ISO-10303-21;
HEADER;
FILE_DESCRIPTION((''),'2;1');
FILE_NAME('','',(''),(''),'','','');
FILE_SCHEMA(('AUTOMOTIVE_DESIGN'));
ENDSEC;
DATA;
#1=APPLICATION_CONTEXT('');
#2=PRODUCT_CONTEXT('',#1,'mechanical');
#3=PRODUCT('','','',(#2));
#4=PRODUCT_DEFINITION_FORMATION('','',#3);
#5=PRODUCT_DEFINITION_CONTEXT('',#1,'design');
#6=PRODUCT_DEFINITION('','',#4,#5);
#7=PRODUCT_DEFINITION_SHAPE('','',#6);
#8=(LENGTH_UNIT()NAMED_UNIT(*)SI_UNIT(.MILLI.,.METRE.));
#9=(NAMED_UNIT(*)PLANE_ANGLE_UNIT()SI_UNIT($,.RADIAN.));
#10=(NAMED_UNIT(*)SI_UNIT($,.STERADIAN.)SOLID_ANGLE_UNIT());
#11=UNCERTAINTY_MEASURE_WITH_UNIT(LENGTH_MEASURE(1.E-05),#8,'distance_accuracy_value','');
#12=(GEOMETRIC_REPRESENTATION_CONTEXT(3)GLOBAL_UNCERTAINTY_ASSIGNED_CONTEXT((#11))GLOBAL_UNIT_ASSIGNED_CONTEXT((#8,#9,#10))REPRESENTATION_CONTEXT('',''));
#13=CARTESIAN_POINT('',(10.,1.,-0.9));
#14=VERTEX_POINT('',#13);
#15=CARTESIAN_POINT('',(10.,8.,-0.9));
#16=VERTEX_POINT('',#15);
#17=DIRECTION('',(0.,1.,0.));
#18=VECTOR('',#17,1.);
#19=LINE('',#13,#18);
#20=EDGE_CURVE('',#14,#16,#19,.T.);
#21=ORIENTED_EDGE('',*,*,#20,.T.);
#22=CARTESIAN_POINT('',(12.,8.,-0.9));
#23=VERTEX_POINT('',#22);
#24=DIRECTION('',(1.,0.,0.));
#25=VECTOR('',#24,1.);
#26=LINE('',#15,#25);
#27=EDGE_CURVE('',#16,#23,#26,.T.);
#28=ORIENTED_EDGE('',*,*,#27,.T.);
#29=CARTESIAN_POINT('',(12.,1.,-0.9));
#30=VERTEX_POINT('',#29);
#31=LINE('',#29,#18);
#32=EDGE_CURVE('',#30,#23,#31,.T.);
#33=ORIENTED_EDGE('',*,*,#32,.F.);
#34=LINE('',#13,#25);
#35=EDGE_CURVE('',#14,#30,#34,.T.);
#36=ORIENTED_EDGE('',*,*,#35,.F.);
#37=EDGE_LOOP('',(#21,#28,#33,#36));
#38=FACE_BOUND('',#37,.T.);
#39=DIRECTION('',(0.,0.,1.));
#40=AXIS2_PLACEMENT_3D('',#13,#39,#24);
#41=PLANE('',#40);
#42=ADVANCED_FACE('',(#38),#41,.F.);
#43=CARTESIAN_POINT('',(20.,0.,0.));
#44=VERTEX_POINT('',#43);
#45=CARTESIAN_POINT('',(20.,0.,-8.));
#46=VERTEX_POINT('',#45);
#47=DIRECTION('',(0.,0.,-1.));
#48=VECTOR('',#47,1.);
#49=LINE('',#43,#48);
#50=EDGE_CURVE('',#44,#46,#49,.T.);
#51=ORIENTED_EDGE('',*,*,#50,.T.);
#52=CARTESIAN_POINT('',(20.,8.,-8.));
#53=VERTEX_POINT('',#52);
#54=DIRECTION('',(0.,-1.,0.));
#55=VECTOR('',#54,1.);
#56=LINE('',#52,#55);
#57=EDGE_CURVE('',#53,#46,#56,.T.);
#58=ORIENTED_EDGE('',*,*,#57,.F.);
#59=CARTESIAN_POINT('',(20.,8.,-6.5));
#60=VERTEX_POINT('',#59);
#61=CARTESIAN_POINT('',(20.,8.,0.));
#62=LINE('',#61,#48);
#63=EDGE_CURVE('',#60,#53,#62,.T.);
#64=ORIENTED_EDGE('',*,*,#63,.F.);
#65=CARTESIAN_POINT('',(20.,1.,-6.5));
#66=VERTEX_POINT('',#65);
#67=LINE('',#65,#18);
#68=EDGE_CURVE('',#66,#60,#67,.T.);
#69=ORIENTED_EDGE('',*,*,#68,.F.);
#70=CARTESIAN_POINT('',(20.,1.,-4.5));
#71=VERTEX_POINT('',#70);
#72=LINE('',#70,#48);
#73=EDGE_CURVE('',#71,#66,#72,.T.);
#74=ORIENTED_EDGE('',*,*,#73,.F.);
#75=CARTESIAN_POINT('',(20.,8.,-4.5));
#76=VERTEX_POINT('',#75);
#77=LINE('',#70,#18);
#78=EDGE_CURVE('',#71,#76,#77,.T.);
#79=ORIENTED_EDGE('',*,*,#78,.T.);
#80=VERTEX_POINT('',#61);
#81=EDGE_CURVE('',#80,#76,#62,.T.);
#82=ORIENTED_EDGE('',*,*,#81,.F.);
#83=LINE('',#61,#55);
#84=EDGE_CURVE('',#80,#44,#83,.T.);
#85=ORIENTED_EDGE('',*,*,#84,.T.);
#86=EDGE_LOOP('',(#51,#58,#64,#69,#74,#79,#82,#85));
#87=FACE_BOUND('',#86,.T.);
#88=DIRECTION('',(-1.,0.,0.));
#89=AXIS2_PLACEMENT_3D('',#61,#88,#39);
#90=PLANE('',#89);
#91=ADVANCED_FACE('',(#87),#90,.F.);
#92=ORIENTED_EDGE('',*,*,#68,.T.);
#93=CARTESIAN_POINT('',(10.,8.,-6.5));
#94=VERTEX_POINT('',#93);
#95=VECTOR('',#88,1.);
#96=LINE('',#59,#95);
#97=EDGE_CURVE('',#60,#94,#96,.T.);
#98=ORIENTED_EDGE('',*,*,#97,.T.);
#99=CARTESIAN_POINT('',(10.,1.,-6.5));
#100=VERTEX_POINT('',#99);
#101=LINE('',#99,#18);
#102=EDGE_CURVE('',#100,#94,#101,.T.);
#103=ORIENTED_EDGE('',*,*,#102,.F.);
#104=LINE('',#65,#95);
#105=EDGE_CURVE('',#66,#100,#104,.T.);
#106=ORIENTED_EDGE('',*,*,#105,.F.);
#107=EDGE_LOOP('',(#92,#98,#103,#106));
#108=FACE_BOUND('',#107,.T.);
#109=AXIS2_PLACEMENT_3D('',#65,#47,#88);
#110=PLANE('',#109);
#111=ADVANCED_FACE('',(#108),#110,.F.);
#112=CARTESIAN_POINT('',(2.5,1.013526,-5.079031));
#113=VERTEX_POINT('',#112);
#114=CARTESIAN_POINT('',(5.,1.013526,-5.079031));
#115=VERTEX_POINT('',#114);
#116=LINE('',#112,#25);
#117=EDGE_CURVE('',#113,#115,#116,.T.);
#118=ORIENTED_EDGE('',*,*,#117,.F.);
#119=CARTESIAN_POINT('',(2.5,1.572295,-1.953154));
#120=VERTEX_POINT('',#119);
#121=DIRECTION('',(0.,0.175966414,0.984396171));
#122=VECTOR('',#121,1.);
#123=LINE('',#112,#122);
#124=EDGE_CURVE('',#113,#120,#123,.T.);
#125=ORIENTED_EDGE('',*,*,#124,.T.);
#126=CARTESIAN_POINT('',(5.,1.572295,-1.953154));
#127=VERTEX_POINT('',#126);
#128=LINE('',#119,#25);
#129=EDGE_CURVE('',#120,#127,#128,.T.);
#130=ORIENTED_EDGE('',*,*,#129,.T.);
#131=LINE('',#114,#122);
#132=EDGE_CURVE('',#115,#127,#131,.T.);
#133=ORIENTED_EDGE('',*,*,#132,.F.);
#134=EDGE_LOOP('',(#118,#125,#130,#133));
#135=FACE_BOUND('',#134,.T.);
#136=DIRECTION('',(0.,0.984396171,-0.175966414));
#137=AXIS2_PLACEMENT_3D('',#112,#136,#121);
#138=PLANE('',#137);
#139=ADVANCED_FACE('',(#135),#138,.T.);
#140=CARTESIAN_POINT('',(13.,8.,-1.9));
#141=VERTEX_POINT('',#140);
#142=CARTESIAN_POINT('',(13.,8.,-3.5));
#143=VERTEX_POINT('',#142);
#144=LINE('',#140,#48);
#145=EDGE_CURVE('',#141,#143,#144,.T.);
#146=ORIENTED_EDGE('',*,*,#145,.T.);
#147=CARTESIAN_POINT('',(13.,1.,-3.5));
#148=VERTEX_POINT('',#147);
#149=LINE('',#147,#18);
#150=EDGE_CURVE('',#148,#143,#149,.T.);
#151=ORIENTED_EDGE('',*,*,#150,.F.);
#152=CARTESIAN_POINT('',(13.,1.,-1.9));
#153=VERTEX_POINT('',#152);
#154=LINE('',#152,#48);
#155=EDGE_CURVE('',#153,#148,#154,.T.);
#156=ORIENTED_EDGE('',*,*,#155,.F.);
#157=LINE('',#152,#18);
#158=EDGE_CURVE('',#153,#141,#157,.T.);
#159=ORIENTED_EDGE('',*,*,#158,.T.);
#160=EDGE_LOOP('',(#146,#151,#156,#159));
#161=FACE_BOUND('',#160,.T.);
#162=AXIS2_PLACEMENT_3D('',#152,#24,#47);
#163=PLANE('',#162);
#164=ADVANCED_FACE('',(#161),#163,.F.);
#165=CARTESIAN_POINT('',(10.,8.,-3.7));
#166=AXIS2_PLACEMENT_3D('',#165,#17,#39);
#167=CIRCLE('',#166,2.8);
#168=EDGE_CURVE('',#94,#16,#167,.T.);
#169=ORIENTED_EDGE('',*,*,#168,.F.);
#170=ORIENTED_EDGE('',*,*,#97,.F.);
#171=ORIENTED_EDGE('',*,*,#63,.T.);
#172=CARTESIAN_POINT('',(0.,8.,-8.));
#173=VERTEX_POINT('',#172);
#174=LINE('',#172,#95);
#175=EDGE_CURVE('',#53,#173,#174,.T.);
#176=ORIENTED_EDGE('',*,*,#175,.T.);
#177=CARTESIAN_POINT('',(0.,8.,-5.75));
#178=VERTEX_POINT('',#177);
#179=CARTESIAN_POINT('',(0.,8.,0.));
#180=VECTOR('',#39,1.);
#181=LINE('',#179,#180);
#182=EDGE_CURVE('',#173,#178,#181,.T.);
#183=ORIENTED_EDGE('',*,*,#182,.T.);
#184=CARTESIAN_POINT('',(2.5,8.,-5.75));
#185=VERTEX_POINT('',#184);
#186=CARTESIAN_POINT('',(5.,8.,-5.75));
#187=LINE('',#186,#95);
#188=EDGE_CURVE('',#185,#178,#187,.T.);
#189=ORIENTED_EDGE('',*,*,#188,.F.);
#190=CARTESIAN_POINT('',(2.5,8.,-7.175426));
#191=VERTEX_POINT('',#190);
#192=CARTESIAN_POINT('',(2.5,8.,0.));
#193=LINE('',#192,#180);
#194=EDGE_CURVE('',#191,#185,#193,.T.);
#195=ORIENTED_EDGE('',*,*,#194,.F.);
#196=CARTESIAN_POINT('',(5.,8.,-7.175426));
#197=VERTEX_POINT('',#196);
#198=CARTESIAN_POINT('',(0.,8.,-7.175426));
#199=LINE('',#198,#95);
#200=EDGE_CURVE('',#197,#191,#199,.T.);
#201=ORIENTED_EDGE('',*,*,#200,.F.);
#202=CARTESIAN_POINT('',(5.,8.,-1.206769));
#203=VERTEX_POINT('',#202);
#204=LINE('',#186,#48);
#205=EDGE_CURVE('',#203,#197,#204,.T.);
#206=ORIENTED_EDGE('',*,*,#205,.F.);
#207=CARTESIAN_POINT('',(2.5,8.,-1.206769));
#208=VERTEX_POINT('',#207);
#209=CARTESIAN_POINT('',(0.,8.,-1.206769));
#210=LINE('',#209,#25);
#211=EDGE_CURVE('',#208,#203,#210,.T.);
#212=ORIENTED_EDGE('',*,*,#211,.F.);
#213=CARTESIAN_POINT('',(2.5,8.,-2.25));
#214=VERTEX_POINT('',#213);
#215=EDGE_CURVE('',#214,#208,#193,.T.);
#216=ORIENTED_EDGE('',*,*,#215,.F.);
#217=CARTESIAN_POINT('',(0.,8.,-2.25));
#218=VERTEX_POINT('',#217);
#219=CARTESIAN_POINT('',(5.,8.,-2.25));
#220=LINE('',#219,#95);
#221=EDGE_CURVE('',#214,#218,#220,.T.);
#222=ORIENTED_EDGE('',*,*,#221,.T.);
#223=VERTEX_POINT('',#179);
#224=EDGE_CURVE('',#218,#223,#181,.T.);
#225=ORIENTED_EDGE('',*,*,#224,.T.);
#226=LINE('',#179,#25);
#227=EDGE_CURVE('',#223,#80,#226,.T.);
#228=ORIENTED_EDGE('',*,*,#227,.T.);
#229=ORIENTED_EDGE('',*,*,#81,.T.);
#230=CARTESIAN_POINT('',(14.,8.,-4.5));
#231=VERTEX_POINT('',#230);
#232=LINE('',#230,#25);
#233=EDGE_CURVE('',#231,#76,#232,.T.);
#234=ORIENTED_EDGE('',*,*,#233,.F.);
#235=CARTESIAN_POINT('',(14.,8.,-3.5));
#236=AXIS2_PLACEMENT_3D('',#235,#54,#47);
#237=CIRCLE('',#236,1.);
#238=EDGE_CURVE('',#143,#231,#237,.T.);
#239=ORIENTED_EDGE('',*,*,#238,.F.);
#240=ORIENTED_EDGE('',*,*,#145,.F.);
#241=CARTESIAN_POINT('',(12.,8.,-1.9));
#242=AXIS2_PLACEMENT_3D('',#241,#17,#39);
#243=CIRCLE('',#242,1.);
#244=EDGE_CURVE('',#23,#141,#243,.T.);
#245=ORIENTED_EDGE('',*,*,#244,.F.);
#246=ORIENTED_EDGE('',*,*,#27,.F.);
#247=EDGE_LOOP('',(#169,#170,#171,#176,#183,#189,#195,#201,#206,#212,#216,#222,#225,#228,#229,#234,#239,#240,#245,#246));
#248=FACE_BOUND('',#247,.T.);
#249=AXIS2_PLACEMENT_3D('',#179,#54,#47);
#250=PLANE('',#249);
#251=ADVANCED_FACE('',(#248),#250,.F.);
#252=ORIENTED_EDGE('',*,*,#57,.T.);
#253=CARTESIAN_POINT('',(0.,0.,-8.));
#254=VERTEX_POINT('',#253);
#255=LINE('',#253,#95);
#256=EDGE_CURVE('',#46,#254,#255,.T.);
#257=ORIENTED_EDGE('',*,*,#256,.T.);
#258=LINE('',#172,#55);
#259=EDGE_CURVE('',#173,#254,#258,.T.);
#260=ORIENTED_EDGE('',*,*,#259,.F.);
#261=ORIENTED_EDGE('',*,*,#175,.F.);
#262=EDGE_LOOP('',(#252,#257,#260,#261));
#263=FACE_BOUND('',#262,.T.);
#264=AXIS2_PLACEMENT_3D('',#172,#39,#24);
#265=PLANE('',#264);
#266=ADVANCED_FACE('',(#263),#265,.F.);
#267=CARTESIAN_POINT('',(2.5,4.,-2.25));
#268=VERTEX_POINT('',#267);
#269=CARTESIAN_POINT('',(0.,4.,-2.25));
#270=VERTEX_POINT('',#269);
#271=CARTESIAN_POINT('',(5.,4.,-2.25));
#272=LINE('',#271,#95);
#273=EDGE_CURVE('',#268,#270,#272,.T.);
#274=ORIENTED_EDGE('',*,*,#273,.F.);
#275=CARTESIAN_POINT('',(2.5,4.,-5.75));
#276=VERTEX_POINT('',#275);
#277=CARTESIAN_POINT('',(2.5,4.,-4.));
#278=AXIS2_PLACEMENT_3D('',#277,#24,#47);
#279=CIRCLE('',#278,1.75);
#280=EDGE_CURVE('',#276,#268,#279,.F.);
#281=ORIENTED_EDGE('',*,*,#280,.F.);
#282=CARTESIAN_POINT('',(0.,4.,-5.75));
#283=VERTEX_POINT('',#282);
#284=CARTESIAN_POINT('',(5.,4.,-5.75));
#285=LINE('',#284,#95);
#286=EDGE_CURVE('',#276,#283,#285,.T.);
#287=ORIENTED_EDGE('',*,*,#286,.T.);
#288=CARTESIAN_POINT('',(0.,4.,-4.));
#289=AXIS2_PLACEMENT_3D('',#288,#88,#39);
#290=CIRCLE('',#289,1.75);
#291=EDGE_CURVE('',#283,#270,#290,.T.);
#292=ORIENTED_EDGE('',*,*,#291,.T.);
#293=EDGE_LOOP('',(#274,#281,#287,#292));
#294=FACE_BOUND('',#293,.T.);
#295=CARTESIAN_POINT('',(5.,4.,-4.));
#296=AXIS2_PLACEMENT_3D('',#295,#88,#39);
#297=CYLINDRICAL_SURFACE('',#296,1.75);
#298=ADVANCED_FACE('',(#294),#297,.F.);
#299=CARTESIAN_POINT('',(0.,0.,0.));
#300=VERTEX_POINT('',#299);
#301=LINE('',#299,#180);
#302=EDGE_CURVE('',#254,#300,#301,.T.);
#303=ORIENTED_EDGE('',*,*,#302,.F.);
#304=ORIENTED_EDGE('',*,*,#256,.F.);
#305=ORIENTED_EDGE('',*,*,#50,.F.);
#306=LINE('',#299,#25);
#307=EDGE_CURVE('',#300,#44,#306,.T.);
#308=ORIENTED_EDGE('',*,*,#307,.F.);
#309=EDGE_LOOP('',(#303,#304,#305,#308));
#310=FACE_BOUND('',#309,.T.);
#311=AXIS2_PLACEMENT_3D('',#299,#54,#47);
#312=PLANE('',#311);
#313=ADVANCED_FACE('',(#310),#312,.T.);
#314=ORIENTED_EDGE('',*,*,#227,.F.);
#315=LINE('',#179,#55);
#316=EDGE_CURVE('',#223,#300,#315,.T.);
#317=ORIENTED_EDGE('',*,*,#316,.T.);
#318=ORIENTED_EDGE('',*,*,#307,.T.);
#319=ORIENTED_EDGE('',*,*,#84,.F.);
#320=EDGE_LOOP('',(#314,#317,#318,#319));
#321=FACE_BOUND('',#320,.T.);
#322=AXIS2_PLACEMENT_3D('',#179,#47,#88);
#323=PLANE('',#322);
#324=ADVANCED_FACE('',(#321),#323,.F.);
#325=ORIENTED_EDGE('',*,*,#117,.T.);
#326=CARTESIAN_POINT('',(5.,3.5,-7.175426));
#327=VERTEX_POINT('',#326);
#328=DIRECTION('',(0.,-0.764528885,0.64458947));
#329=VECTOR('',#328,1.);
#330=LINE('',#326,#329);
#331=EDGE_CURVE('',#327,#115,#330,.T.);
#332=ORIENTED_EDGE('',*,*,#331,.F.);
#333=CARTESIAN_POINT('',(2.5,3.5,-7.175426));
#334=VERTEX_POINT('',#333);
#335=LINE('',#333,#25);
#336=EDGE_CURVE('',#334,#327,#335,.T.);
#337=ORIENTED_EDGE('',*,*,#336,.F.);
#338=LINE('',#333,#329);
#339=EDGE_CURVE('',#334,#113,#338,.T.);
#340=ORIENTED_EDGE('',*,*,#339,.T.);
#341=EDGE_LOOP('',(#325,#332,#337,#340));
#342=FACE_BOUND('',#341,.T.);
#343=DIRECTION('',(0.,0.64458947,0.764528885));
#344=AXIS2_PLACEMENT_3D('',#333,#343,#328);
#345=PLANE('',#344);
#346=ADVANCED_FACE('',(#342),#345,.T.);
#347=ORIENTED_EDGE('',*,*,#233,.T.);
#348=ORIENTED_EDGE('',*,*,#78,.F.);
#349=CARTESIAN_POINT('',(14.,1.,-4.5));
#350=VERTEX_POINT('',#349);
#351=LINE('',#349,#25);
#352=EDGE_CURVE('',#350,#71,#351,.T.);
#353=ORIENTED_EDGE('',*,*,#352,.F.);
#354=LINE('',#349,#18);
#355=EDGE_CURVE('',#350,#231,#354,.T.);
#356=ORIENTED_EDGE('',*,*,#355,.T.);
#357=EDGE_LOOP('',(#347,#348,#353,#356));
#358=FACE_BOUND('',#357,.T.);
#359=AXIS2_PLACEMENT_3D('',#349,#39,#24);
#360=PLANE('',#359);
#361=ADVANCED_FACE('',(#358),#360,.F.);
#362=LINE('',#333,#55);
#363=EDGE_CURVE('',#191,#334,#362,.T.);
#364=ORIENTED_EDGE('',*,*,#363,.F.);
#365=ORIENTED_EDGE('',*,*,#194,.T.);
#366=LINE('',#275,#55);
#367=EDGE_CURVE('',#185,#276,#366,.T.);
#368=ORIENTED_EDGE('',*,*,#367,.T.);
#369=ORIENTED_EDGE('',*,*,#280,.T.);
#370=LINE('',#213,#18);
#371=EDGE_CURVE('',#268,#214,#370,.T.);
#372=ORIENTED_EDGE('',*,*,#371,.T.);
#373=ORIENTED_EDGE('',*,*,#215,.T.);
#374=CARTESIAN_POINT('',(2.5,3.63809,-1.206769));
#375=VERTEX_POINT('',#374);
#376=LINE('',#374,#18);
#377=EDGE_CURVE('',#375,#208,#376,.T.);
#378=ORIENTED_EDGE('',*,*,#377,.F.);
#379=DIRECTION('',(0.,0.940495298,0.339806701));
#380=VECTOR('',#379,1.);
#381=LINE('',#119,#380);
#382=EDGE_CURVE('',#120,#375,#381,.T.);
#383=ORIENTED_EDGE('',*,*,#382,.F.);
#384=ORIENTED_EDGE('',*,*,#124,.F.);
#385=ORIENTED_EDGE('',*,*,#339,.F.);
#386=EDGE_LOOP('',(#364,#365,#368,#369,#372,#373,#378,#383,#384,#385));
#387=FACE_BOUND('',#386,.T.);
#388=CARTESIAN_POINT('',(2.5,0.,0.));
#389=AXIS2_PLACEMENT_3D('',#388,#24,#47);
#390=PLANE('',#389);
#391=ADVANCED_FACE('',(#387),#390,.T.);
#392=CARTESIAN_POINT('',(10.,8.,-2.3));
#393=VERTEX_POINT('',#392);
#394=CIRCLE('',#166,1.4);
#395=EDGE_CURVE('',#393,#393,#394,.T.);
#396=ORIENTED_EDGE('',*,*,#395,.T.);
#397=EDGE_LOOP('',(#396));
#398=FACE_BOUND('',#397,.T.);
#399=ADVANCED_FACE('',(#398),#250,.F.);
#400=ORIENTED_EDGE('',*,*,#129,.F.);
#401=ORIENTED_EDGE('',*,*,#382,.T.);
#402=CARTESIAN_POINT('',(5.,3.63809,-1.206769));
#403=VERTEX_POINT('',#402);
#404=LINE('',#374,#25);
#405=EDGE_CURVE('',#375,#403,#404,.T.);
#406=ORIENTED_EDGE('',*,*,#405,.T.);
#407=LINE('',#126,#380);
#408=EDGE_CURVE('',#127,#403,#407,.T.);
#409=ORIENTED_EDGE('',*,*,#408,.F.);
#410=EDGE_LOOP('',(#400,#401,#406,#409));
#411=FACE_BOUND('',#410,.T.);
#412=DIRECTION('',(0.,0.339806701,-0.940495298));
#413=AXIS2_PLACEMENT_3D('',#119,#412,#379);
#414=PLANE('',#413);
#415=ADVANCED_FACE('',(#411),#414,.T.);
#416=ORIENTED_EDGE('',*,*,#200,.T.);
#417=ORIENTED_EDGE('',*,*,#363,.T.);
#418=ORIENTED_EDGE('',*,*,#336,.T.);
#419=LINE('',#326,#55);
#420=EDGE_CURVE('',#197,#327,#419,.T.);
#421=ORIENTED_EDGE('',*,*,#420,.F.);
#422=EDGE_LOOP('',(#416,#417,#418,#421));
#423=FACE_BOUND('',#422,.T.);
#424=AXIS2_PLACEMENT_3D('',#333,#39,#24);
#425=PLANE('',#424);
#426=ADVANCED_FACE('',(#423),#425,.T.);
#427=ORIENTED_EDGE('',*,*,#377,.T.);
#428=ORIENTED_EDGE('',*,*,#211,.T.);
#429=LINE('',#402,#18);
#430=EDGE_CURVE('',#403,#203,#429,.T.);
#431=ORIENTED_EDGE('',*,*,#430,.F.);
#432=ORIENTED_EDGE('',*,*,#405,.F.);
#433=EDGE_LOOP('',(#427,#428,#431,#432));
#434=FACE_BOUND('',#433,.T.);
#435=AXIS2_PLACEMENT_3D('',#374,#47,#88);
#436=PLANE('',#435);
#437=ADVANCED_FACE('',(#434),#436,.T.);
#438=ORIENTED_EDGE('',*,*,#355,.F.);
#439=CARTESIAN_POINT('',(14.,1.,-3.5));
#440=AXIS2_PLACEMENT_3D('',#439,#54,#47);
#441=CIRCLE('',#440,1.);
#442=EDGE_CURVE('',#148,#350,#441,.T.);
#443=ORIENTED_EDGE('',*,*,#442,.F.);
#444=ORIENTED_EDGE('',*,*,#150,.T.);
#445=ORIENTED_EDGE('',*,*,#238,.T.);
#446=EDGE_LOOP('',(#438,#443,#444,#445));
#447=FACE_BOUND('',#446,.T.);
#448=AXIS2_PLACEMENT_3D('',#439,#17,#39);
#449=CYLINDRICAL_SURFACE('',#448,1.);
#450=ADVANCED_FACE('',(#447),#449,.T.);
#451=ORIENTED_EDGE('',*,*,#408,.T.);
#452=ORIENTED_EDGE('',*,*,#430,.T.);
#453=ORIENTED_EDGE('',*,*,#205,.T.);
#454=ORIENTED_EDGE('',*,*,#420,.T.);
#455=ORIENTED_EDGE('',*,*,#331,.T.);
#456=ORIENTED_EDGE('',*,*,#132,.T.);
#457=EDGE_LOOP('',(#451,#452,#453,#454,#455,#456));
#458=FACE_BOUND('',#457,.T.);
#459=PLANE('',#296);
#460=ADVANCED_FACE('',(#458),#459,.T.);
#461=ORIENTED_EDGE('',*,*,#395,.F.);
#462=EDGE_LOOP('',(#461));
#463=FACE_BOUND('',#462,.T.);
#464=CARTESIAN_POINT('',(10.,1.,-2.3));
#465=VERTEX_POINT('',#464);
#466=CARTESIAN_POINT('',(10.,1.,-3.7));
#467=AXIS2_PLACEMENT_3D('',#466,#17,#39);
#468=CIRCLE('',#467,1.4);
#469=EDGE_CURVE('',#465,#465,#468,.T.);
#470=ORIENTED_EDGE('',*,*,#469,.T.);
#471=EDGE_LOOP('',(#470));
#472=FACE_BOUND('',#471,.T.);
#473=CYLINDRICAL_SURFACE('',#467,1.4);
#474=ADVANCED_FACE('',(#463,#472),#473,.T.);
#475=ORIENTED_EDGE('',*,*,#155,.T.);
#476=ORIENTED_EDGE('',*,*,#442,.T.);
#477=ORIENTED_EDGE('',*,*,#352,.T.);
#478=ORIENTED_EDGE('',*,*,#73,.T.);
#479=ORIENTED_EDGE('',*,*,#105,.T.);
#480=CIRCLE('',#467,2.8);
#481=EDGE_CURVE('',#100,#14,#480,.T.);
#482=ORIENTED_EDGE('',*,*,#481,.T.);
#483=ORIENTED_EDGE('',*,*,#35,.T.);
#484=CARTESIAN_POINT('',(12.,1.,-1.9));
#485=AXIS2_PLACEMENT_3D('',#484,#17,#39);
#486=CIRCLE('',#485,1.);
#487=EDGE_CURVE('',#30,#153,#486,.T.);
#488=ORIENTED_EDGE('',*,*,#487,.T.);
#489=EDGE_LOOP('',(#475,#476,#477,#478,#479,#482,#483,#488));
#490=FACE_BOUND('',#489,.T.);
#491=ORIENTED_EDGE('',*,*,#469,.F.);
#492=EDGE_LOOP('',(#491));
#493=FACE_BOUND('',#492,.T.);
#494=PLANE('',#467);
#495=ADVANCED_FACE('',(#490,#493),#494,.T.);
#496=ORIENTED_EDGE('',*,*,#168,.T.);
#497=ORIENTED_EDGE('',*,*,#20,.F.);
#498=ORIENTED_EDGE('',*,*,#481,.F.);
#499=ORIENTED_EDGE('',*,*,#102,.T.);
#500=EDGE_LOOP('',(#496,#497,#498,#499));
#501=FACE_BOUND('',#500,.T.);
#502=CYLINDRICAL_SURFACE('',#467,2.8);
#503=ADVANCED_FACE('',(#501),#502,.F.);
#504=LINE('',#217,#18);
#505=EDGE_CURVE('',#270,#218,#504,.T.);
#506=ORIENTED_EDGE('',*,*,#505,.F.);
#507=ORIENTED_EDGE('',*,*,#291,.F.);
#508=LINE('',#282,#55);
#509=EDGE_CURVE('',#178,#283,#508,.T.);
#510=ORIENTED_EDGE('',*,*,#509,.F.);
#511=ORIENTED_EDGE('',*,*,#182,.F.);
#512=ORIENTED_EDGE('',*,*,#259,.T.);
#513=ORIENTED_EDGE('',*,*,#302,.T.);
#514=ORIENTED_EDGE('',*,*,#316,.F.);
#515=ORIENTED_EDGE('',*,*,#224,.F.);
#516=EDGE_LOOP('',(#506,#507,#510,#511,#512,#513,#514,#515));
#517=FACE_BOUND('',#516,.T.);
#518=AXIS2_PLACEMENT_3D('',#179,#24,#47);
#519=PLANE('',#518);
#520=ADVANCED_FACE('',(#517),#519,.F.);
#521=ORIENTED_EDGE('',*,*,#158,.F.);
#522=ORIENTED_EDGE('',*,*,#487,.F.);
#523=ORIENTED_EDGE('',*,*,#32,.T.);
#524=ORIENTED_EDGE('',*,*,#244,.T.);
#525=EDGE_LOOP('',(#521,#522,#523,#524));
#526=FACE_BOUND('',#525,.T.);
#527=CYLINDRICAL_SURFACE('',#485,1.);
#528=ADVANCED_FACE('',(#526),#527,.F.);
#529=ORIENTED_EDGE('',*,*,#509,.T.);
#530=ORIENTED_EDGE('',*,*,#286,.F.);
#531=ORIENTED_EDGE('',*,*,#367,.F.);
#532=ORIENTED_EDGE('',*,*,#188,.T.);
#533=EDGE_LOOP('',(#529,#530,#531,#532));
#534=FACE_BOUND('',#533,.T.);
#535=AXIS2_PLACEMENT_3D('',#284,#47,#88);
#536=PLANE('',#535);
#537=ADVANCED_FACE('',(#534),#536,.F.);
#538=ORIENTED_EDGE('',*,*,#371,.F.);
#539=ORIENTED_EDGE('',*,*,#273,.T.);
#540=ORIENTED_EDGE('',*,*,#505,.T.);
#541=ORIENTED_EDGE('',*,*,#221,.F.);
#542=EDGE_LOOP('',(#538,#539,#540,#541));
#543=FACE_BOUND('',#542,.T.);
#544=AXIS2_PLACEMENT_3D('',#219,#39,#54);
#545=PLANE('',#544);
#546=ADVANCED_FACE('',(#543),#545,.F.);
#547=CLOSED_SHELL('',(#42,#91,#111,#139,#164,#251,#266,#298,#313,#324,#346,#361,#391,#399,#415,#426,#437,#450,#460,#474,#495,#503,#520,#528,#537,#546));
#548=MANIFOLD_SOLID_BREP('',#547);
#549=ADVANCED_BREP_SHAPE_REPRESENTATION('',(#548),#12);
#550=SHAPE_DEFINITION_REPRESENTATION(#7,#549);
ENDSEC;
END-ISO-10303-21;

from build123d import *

# Parameters (mm, degrees)
SKETCH1_W           = 20
SKETCH1_H           = 8
BOSS_EXTRUDE1_DEPTH = 8
SKETCH2_R           = 1.4
CUT_EXTRUDE1_DEPTH  = 7
CUT_EXTRUDE2_DEPTH  = 5
CUT_EXTRUDE3_DEPTH  = 2.5


with BuildPart() as part:
    # Sketch1 → Boss-Extrude1 (new body)
    with BuildSketch(Plane(origin=(0, 0, 0), x_dir=(1, 0, 0), z_dir=(0, 1, 0))):
        with Locations((10, 4)):
            Rectangle(SKETCH1_W, SKETCH1_H)
    extrude(amount=BOSS_EXTRUDE1_DEPTH)

    # Sketch2 → Cut-Extrude1 (cut)
    with BuildSketch(Plane(origin=(0, 8, 0), x_dir=(1, 0, 0), z_dir=(0, 1, 0))):
        with BuildLine():
            Line((20, 6.5), (10, 6.5))
            ThreePointArc((10, 6.5), (7.2, 3.7), (10, 0.9))
            Line((10, 0.9), (12, 0.9))
            ThreePointArc((12, 0.9), (12.707106781, 1.192893219), (13, 1.9))
            Line((13, 1.9), (13, 3.5))
            ThreePointArc((13, 3.5), (13.292893219, 4.207106781), (14, 4.5))
            Line((14, 4.5), (20, 4.5))
            Line((20, 4.5), (20, 6.5))
        make_face()
        with Locations(Location((10, 3.7, 0), (0, 0, 270))):
            Circle(SKETCH2_R, mode=Mode.SUBTRACT)
    extrude(amount=-CUT_EXTRUDE1_DEPTH, mode=Mode.SUBTRACT)

    # Sketch4 → Cut-Extrude2 (cut)
    with BuildSketch(Plane.ZY):
        with BuildLine():
            Line((-5.75, 4), (-5.75, 8))
            Line((-5.75, 8), (-2.25, 8))
            Line((-2.25, 8), (-2.25, 4))
            ThreePointArc((-2.25, 4), (-4, 2.25), (-5.75, 4))
        make_face()
    extrude(amount=-CUT_EXTRUDE2_DEPTH, mode=Mode.SUBTRACT)

    # Sketch5 → Cut-Extrude3 (cut)
    with BuildSketch(Plane.ZY.offset(-5)):
        Polygon((-7.175426481, 3.5), (-7.175426481, 14.06619177), (-1.206769201, 14.06619177), (-1.206769201, 3.638089636), (-1.953153528, 1.572294735), (-5.079031196, 1.013526325), align=None)
    extrude(amount=CUT_EXTRUDE3_DEPTH, mode=Mode.SUBTRACT)


solid = part.part
